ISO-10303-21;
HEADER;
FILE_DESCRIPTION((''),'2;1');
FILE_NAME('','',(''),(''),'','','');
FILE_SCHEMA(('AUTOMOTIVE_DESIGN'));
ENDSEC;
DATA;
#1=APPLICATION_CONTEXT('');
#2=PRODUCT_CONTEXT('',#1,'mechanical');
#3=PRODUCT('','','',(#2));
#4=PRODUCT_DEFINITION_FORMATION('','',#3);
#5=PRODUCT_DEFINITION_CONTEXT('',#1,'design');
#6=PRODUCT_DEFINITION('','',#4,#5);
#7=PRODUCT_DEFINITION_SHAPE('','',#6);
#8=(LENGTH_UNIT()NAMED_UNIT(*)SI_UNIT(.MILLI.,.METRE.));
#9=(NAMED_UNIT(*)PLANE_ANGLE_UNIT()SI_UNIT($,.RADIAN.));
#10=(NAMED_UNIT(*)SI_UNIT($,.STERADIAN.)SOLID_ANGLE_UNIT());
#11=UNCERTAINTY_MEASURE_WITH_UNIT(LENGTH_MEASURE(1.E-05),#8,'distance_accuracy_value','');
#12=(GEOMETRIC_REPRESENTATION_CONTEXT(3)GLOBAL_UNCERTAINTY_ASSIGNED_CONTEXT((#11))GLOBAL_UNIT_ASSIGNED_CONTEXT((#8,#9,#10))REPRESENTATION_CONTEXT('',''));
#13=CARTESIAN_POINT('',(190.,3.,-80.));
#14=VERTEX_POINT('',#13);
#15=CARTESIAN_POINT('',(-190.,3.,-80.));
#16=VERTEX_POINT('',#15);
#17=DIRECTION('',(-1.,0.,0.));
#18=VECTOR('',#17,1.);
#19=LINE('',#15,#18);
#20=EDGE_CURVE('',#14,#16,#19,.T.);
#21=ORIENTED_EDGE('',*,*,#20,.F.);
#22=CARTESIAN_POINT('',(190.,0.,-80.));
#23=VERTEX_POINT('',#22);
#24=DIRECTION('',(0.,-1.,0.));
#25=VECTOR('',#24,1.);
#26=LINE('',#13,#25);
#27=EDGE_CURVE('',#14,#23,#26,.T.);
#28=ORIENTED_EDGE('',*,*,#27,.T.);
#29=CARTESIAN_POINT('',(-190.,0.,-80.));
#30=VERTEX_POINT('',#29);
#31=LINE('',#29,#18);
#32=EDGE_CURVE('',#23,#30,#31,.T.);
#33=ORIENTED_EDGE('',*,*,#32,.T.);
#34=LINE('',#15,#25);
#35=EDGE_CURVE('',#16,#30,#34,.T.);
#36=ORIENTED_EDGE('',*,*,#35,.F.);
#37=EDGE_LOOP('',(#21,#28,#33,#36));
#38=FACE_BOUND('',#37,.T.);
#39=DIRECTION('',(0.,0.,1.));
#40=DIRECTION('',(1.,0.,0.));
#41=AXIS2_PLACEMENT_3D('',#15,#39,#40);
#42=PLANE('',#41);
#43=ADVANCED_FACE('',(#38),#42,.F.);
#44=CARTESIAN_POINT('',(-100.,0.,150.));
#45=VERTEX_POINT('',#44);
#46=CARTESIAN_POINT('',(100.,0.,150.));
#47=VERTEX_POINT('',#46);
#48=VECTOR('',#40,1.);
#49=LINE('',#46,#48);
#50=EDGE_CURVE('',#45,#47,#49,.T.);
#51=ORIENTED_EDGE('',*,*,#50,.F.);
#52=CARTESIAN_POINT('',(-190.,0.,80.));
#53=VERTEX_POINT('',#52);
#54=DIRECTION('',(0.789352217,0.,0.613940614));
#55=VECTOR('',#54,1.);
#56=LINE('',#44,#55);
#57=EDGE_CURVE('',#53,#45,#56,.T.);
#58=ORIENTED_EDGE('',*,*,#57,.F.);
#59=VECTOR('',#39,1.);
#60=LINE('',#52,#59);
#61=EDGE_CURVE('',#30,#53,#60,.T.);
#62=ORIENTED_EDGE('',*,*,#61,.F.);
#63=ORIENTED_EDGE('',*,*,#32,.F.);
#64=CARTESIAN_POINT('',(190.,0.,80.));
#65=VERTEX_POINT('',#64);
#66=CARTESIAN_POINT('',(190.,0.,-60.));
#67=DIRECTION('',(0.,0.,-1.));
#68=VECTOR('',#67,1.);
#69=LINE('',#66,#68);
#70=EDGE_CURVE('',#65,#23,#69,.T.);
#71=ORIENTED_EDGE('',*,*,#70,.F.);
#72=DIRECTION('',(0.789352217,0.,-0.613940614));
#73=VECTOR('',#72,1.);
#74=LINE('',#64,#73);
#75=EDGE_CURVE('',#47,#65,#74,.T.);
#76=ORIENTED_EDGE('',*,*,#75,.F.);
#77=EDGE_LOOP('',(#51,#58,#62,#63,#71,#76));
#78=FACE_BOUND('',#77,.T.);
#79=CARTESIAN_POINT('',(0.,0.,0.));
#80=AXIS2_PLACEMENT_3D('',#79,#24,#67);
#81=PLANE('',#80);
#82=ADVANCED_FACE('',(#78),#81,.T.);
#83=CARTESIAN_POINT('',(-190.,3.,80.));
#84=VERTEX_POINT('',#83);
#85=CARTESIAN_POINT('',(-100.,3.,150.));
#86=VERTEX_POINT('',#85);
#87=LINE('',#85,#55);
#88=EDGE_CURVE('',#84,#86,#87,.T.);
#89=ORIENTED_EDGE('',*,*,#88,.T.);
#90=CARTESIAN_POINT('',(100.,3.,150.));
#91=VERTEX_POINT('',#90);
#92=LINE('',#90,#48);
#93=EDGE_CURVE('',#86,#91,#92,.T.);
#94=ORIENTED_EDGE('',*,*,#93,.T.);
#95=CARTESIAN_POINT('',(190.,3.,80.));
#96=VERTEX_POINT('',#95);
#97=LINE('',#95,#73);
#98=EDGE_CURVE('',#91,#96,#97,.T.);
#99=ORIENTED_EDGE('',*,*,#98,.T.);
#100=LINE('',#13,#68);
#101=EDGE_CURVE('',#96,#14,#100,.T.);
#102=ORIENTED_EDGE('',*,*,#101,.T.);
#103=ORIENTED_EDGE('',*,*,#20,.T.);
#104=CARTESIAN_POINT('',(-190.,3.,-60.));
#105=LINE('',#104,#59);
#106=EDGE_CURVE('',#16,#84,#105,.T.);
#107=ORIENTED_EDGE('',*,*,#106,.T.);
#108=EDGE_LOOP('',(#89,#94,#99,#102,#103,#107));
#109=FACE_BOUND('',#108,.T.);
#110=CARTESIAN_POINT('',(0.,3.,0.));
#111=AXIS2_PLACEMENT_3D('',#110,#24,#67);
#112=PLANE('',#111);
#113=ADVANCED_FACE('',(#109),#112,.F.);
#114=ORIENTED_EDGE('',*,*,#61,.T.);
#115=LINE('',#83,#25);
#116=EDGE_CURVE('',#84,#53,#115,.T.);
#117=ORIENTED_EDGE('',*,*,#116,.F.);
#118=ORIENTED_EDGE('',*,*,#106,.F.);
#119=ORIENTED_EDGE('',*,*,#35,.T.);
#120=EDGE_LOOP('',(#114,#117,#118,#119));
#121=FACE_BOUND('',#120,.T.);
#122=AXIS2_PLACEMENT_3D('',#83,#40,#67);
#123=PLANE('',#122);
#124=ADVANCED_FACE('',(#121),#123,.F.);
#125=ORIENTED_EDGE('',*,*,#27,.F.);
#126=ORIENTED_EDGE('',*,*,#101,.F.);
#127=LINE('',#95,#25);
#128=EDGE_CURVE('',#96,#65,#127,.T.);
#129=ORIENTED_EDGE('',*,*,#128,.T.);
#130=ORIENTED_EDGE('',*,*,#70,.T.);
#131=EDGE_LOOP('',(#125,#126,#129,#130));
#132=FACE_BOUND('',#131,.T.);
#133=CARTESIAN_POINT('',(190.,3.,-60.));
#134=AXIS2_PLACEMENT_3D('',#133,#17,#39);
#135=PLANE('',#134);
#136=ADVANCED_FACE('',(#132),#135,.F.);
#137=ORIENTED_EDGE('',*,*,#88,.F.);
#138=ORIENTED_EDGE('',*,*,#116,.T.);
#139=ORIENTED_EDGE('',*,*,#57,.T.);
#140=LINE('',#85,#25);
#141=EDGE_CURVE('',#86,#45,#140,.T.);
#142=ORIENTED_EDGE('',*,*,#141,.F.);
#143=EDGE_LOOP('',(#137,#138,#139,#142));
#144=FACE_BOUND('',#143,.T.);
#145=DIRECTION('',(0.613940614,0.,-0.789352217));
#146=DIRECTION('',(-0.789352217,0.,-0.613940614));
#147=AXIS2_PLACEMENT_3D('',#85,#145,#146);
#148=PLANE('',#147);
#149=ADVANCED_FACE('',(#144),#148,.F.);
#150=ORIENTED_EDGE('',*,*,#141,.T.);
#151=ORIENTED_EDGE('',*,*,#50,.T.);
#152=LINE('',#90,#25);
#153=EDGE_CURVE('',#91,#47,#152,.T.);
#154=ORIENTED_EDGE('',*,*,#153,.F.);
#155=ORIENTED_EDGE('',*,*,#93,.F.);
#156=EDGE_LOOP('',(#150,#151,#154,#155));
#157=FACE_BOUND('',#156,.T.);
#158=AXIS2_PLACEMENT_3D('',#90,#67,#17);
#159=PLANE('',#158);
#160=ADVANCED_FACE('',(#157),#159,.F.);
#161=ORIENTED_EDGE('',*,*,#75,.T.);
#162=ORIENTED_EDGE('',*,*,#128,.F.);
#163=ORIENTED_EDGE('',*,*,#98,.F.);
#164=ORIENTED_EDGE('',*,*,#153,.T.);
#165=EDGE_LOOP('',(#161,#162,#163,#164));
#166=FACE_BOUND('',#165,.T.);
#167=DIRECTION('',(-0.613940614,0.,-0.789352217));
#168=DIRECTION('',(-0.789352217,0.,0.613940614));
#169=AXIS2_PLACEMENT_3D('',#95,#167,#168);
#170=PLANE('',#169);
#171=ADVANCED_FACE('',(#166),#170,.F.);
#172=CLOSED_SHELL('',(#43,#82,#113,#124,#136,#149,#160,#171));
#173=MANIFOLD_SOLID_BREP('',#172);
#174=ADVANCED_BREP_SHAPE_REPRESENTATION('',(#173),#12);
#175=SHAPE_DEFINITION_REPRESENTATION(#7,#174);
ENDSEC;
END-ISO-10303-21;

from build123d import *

# Parameters (mm, degrees)
BOSS_EXTRUDE1_DEPTH = 3


with BuildPart() as part:
    # Sketch1 → Boss-Extrude1 (new body)
    with BuildSketch(Plane(origin=(0, 0, 0), x_dir=(1, 0, 0), z_dir=(0, 1, 0))):
        Polygon((-190, 80), (190, 80), (190, 60), (190, -60), (190, -80), (100, -150), (-100, -150), (-190, -80), (-190, -60), (-190, 60), align=None)
    extrude(amount=BOSS_EXTRUDE1_DEPTH)


solid = part.part
